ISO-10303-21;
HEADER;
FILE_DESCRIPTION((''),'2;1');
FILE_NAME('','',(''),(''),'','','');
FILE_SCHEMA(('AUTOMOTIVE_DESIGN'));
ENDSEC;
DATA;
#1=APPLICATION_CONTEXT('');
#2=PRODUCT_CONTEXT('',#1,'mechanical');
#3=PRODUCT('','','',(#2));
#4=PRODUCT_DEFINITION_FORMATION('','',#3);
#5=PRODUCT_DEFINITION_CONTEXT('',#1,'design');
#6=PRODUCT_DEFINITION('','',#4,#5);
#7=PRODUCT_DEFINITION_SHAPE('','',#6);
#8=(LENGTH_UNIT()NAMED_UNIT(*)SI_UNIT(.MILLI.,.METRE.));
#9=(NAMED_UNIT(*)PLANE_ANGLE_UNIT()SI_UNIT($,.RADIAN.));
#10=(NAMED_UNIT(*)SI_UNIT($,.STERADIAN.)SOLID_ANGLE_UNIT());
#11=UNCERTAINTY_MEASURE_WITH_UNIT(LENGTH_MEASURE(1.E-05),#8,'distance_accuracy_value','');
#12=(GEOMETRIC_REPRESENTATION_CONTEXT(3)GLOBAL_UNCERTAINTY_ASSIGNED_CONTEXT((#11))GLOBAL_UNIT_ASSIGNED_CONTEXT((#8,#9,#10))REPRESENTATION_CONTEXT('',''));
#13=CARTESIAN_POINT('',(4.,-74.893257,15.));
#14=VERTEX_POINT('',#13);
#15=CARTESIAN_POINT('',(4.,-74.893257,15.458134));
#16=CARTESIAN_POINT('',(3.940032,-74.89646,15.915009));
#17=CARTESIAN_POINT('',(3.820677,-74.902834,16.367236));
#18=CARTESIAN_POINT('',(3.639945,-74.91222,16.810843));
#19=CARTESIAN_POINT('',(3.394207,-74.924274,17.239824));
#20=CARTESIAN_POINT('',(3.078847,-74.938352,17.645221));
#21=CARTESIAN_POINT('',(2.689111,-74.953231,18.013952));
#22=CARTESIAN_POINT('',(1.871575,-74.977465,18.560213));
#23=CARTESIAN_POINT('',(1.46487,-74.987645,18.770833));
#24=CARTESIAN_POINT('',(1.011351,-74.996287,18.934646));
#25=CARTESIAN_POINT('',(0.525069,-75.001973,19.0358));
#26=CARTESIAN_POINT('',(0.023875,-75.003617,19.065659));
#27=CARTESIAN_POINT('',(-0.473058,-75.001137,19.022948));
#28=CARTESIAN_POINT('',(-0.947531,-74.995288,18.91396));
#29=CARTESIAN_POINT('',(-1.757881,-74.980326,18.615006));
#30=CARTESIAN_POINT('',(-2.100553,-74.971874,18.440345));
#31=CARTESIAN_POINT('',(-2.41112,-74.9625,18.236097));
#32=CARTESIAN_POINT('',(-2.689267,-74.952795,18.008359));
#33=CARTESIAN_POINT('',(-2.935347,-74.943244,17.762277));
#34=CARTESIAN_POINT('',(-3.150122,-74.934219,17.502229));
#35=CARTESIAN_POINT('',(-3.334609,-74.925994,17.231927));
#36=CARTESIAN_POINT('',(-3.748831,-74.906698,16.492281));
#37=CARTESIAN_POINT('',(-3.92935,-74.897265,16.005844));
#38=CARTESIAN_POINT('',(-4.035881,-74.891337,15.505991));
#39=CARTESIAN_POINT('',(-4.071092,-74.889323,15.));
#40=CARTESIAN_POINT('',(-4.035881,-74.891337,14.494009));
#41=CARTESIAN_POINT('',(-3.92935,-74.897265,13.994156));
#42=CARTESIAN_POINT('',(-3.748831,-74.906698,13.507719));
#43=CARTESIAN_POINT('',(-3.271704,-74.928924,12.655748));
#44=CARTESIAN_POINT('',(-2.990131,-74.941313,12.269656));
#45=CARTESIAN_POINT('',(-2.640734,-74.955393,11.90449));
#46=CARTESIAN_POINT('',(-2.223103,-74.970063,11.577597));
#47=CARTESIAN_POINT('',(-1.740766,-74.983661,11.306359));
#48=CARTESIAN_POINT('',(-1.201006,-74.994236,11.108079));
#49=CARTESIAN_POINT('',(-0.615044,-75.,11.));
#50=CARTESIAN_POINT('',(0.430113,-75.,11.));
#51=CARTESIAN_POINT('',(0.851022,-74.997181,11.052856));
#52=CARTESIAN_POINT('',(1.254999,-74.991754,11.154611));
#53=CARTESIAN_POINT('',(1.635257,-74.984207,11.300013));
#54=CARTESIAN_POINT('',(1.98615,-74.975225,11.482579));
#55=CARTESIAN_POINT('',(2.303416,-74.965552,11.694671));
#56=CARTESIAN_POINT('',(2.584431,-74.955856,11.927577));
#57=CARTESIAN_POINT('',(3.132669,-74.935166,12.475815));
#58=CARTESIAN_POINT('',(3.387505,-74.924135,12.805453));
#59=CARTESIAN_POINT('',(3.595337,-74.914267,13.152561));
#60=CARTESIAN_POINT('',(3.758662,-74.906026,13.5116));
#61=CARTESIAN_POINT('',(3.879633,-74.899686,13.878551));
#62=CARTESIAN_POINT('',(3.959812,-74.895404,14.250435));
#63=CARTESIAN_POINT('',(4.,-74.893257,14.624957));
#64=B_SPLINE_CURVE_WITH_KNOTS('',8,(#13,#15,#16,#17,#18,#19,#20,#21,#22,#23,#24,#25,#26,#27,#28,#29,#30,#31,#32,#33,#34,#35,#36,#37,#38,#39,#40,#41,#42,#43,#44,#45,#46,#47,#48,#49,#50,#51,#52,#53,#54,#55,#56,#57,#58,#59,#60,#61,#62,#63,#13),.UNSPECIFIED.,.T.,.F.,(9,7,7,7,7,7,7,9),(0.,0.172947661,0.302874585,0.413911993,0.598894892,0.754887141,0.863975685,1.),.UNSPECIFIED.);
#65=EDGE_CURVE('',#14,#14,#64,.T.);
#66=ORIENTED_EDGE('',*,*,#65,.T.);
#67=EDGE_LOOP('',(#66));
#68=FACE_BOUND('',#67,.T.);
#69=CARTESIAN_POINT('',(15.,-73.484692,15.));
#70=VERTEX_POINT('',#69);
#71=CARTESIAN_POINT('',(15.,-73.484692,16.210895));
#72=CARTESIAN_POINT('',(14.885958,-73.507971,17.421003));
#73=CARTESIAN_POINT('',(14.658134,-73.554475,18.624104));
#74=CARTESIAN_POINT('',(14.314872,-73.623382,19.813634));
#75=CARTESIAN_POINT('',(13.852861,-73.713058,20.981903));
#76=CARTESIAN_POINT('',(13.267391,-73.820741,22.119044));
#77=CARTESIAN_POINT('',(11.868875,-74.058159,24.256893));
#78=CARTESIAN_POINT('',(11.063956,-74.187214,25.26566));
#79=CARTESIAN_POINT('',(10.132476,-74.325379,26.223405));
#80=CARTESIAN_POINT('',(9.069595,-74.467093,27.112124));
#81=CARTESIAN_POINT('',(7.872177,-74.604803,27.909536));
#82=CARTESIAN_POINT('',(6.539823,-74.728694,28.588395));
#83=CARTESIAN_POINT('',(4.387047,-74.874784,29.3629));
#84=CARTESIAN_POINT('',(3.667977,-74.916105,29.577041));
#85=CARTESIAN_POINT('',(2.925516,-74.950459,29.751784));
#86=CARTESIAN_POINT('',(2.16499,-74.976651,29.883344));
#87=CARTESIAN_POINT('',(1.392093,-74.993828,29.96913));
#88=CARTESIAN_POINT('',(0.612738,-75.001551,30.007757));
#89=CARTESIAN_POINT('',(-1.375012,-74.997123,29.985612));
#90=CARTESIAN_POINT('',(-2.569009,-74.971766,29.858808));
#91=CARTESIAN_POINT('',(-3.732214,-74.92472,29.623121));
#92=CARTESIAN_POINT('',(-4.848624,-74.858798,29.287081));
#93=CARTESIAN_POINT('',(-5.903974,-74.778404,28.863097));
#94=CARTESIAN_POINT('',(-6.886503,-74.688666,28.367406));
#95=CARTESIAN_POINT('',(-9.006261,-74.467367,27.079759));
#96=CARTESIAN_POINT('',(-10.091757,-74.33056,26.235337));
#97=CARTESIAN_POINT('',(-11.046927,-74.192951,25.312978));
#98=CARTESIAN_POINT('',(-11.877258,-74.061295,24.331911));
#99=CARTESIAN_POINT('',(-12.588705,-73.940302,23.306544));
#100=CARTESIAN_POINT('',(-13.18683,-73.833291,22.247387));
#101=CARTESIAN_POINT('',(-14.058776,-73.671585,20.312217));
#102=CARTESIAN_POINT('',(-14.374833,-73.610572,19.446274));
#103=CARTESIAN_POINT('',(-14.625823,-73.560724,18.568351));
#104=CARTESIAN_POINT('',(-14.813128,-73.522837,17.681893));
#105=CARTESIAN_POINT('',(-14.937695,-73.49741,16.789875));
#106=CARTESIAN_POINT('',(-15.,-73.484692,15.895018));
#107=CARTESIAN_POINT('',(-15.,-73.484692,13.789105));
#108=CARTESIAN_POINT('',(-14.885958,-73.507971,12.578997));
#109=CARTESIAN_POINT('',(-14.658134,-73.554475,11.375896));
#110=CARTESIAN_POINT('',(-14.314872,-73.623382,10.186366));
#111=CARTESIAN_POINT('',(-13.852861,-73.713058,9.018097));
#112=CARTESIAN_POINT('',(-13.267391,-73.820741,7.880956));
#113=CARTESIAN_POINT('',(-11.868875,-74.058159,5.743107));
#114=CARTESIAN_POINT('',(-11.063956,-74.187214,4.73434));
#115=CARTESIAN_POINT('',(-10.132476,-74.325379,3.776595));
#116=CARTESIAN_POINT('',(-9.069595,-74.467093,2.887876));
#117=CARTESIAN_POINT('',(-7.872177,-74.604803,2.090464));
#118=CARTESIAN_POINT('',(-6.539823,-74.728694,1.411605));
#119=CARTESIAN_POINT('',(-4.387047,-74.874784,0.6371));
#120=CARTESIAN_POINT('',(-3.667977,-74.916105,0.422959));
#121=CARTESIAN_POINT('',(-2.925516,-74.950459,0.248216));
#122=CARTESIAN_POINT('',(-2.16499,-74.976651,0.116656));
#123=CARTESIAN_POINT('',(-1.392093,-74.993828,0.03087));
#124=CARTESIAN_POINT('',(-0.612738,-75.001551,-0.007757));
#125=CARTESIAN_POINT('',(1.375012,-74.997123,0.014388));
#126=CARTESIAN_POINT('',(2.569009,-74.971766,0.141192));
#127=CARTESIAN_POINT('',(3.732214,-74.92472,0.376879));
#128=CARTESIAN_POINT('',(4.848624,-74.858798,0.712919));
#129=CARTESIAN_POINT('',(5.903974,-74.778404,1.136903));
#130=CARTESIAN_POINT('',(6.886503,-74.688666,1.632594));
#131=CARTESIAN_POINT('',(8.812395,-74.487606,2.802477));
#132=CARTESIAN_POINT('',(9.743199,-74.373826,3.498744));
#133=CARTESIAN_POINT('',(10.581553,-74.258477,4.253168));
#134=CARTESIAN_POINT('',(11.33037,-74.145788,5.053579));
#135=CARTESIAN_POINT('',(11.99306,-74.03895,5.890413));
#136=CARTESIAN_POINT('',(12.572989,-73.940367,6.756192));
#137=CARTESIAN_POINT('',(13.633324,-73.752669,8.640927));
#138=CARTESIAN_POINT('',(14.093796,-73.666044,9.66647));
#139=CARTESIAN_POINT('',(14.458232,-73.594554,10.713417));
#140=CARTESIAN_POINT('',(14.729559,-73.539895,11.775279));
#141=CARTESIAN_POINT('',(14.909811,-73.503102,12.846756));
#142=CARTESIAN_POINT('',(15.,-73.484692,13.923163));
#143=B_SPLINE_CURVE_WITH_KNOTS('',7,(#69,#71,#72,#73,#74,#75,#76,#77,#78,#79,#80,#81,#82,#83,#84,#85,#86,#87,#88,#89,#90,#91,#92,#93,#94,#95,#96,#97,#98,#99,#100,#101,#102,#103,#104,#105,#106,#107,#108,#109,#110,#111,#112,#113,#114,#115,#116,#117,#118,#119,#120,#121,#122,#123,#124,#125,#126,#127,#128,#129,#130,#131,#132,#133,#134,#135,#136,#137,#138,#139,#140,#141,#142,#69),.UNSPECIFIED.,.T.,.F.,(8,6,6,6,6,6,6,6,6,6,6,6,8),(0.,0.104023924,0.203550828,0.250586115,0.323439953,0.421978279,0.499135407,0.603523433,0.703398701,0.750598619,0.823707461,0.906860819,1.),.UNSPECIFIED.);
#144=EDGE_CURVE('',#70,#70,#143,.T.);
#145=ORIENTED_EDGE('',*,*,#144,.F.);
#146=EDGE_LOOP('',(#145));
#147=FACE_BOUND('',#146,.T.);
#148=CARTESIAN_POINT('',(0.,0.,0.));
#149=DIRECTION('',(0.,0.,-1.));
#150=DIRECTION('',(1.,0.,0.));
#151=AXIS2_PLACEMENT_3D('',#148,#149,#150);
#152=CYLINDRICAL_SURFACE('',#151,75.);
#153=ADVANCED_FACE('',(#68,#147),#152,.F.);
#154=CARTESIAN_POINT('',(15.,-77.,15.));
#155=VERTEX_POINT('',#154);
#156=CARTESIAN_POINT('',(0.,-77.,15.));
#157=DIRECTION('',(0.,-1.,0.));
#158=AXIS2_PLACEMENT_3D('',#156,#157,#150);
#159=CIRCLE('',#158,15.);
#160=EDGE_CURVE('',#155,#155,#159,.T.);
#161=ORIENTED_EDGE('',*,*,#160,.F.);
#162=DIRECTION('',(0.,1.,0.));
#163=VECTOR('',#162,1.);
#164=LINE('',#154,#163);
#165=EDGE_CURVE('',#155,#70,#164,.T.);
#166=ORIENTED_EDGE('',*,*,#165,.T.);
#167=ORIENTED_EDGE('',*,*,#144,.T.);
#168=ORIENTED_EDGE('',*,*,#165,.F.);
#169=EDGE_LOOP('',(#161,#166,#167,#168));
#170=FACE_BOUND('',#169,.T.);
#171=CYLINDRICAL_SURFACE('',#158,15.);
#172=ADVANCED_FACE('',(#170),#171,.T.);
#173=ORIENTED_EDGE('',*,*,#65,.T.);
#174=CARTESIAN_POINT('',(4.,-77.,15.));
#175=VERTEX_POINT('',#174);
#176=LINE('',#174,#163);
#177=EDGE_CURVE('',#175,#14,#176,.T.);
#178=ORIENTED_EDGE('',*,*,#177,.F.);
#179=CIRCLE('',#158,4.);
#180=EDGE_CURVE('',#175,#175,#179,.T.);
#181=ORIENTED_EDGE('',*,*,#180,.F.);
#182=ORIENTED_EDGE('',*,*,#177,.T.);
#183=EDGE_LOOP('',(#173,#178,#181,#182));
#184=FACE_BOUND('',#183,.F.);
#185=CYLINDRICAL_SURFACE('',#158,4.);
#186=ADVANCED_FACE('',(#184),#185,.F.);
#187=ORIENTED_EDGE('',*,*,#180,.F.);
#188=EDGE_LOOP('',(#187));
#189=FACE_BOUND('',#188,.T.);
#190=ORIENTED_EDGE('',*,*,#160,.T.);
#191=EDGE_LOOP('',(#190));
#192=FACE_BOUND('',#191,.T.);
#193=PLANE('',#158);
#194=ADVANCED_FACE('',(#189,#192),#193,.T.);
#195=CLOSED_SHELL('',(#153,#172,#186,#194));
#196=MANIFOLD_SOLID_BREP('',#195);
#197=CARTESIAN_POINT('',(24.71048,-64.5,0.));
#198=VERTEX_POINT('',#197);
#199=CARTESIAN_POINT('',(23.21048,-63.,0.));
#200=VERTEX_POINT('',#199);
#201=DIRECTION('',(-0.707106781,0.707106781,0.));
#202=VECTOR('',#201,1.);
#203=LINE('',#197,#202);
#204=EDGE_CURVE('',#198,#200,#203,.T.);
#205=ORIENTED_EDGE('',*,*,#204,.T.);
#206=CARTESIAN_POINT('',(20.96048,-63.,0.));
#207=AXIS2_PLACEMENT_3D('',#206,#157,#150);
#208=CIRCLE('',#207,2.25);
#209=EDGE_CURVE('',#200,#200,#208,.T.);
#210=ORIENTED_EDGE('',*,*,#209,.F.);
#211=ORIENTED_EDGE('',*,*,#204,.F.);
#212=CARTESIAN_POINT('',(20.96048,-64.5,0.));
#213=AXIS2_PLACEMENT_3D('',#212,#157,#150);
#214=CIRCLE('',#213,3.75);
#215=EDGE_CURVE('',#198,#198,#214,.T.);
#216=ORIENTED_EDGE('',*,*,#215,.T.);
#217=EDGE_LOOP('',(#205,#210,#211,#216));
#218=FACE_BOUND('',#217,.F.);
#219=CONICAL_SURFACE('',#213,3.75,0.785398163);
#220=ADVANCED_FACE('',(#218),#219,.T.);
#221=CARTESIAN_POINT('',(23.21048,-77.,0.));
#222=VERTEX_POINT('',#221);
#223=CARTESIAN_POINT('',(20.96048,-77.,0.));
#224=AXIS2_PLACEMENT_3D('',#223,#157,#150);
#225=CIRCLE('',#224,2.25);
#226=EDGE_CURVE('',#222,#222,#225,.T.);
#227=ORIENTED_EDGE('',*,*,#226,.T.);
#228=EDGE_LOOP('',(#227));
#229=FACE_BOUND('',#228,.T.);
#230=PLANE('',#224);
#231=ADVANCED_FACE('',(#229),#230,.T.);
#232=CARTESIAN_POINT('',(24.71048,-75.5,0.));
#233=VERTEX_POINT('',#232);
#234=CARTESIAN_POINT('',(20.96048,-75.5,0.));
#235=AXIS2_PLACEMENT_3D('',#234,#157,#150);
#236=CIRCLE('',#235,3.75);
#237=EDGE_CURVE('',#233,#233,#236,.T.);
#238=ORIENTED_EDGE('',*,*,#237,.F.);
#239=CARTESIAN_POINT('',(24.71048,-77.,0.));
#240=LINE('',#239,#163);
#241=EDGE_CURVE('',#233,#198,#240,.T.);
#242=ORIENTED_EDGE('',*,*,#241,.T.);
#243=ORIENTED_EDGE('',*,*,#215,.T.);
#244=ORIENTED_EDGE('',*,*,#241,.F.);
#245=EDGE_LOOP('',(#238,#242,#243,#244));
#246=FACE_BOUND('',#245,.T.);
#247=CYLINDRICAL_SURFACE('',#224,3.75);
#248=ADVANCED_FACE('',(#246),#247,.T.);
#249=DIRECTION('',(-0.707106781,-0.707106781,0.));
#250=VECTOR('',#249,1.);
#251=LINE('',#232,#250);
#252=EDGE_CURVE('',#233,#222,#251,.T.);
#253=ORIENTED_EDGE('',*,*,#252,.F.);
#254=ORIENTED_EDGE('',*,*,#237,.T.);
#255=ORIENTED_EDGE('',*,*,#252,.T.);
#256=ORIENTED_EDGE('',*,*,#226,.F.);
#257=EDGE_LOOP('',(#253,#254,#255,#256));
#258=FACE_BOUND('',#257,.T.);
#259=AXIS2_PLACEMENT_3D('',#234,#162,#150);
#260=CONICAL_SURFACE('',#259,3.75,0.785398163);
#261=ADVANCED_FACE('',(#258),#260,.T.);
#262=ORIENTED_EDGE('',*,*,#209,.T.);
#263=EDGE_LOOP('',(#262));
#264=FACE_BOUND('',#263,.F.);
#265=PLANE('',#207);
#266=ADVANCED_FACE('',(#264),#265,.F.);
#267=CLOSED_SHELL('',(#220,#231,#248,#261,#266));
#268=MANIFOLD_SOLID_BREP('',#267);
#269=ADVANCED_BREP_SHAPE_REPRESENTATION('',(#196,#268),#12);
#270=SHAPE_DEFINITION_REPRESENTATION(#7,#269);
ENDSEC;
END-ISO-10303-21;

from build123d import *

# Parameters (mm, degrees)
F2_R     = 15
F3_DEPTH = 5
F0_R     = 75
F4_DEPTH = 50
F5_R     = 4
F6_DEPTH = 25
F7_R     = 3.75
F8_DEPTH = 14
F9_SIZE  = 1.5


with BuildPart() as f3:
    # F2 (on offset) → F3 (new body)
    with BuildSketch(Plane.XZ.offset(77)):
        with Locations((0, 15)):
            Circle(F2_R)
    extrude(amount=-F3_DEPTH)

    # F0 (on Top) → F4 (cut)
    with BuildSketch(Plane.XY):
        Circle(F0_R)
    extrude(amount=F4_DEPTH, mode=Mode.SUBTRACT)

    # F5 (on face) → F6 (cut)
    with BuildSketch(Plane.XZ.offset(77)):
        with Locations((0, 15)):
            Circle(F5_R)
    extrude(amount=-F6_DEPTH, mode=Mode.SUBTRACT)


with BuildPart() as f8:
    # F7 (on offset) → F8 (new body)
    with BuildSketch(Plane.XZ.offset(77)):
        with Locations((20.96048, 0)):
            Circle(F7_R)
    extrude(amount=-F8_DEPTH)

    # F9
    f9_edges = [f8.edges().sort_by_distance(p)[0] for p in [
        (17.21048, -77, 0),
        (17.21048, -63, 0),
    ]]
    chamfer(f9_edges, length=F9_SIZE)


solid = Compound([f3.part, f8.part])
